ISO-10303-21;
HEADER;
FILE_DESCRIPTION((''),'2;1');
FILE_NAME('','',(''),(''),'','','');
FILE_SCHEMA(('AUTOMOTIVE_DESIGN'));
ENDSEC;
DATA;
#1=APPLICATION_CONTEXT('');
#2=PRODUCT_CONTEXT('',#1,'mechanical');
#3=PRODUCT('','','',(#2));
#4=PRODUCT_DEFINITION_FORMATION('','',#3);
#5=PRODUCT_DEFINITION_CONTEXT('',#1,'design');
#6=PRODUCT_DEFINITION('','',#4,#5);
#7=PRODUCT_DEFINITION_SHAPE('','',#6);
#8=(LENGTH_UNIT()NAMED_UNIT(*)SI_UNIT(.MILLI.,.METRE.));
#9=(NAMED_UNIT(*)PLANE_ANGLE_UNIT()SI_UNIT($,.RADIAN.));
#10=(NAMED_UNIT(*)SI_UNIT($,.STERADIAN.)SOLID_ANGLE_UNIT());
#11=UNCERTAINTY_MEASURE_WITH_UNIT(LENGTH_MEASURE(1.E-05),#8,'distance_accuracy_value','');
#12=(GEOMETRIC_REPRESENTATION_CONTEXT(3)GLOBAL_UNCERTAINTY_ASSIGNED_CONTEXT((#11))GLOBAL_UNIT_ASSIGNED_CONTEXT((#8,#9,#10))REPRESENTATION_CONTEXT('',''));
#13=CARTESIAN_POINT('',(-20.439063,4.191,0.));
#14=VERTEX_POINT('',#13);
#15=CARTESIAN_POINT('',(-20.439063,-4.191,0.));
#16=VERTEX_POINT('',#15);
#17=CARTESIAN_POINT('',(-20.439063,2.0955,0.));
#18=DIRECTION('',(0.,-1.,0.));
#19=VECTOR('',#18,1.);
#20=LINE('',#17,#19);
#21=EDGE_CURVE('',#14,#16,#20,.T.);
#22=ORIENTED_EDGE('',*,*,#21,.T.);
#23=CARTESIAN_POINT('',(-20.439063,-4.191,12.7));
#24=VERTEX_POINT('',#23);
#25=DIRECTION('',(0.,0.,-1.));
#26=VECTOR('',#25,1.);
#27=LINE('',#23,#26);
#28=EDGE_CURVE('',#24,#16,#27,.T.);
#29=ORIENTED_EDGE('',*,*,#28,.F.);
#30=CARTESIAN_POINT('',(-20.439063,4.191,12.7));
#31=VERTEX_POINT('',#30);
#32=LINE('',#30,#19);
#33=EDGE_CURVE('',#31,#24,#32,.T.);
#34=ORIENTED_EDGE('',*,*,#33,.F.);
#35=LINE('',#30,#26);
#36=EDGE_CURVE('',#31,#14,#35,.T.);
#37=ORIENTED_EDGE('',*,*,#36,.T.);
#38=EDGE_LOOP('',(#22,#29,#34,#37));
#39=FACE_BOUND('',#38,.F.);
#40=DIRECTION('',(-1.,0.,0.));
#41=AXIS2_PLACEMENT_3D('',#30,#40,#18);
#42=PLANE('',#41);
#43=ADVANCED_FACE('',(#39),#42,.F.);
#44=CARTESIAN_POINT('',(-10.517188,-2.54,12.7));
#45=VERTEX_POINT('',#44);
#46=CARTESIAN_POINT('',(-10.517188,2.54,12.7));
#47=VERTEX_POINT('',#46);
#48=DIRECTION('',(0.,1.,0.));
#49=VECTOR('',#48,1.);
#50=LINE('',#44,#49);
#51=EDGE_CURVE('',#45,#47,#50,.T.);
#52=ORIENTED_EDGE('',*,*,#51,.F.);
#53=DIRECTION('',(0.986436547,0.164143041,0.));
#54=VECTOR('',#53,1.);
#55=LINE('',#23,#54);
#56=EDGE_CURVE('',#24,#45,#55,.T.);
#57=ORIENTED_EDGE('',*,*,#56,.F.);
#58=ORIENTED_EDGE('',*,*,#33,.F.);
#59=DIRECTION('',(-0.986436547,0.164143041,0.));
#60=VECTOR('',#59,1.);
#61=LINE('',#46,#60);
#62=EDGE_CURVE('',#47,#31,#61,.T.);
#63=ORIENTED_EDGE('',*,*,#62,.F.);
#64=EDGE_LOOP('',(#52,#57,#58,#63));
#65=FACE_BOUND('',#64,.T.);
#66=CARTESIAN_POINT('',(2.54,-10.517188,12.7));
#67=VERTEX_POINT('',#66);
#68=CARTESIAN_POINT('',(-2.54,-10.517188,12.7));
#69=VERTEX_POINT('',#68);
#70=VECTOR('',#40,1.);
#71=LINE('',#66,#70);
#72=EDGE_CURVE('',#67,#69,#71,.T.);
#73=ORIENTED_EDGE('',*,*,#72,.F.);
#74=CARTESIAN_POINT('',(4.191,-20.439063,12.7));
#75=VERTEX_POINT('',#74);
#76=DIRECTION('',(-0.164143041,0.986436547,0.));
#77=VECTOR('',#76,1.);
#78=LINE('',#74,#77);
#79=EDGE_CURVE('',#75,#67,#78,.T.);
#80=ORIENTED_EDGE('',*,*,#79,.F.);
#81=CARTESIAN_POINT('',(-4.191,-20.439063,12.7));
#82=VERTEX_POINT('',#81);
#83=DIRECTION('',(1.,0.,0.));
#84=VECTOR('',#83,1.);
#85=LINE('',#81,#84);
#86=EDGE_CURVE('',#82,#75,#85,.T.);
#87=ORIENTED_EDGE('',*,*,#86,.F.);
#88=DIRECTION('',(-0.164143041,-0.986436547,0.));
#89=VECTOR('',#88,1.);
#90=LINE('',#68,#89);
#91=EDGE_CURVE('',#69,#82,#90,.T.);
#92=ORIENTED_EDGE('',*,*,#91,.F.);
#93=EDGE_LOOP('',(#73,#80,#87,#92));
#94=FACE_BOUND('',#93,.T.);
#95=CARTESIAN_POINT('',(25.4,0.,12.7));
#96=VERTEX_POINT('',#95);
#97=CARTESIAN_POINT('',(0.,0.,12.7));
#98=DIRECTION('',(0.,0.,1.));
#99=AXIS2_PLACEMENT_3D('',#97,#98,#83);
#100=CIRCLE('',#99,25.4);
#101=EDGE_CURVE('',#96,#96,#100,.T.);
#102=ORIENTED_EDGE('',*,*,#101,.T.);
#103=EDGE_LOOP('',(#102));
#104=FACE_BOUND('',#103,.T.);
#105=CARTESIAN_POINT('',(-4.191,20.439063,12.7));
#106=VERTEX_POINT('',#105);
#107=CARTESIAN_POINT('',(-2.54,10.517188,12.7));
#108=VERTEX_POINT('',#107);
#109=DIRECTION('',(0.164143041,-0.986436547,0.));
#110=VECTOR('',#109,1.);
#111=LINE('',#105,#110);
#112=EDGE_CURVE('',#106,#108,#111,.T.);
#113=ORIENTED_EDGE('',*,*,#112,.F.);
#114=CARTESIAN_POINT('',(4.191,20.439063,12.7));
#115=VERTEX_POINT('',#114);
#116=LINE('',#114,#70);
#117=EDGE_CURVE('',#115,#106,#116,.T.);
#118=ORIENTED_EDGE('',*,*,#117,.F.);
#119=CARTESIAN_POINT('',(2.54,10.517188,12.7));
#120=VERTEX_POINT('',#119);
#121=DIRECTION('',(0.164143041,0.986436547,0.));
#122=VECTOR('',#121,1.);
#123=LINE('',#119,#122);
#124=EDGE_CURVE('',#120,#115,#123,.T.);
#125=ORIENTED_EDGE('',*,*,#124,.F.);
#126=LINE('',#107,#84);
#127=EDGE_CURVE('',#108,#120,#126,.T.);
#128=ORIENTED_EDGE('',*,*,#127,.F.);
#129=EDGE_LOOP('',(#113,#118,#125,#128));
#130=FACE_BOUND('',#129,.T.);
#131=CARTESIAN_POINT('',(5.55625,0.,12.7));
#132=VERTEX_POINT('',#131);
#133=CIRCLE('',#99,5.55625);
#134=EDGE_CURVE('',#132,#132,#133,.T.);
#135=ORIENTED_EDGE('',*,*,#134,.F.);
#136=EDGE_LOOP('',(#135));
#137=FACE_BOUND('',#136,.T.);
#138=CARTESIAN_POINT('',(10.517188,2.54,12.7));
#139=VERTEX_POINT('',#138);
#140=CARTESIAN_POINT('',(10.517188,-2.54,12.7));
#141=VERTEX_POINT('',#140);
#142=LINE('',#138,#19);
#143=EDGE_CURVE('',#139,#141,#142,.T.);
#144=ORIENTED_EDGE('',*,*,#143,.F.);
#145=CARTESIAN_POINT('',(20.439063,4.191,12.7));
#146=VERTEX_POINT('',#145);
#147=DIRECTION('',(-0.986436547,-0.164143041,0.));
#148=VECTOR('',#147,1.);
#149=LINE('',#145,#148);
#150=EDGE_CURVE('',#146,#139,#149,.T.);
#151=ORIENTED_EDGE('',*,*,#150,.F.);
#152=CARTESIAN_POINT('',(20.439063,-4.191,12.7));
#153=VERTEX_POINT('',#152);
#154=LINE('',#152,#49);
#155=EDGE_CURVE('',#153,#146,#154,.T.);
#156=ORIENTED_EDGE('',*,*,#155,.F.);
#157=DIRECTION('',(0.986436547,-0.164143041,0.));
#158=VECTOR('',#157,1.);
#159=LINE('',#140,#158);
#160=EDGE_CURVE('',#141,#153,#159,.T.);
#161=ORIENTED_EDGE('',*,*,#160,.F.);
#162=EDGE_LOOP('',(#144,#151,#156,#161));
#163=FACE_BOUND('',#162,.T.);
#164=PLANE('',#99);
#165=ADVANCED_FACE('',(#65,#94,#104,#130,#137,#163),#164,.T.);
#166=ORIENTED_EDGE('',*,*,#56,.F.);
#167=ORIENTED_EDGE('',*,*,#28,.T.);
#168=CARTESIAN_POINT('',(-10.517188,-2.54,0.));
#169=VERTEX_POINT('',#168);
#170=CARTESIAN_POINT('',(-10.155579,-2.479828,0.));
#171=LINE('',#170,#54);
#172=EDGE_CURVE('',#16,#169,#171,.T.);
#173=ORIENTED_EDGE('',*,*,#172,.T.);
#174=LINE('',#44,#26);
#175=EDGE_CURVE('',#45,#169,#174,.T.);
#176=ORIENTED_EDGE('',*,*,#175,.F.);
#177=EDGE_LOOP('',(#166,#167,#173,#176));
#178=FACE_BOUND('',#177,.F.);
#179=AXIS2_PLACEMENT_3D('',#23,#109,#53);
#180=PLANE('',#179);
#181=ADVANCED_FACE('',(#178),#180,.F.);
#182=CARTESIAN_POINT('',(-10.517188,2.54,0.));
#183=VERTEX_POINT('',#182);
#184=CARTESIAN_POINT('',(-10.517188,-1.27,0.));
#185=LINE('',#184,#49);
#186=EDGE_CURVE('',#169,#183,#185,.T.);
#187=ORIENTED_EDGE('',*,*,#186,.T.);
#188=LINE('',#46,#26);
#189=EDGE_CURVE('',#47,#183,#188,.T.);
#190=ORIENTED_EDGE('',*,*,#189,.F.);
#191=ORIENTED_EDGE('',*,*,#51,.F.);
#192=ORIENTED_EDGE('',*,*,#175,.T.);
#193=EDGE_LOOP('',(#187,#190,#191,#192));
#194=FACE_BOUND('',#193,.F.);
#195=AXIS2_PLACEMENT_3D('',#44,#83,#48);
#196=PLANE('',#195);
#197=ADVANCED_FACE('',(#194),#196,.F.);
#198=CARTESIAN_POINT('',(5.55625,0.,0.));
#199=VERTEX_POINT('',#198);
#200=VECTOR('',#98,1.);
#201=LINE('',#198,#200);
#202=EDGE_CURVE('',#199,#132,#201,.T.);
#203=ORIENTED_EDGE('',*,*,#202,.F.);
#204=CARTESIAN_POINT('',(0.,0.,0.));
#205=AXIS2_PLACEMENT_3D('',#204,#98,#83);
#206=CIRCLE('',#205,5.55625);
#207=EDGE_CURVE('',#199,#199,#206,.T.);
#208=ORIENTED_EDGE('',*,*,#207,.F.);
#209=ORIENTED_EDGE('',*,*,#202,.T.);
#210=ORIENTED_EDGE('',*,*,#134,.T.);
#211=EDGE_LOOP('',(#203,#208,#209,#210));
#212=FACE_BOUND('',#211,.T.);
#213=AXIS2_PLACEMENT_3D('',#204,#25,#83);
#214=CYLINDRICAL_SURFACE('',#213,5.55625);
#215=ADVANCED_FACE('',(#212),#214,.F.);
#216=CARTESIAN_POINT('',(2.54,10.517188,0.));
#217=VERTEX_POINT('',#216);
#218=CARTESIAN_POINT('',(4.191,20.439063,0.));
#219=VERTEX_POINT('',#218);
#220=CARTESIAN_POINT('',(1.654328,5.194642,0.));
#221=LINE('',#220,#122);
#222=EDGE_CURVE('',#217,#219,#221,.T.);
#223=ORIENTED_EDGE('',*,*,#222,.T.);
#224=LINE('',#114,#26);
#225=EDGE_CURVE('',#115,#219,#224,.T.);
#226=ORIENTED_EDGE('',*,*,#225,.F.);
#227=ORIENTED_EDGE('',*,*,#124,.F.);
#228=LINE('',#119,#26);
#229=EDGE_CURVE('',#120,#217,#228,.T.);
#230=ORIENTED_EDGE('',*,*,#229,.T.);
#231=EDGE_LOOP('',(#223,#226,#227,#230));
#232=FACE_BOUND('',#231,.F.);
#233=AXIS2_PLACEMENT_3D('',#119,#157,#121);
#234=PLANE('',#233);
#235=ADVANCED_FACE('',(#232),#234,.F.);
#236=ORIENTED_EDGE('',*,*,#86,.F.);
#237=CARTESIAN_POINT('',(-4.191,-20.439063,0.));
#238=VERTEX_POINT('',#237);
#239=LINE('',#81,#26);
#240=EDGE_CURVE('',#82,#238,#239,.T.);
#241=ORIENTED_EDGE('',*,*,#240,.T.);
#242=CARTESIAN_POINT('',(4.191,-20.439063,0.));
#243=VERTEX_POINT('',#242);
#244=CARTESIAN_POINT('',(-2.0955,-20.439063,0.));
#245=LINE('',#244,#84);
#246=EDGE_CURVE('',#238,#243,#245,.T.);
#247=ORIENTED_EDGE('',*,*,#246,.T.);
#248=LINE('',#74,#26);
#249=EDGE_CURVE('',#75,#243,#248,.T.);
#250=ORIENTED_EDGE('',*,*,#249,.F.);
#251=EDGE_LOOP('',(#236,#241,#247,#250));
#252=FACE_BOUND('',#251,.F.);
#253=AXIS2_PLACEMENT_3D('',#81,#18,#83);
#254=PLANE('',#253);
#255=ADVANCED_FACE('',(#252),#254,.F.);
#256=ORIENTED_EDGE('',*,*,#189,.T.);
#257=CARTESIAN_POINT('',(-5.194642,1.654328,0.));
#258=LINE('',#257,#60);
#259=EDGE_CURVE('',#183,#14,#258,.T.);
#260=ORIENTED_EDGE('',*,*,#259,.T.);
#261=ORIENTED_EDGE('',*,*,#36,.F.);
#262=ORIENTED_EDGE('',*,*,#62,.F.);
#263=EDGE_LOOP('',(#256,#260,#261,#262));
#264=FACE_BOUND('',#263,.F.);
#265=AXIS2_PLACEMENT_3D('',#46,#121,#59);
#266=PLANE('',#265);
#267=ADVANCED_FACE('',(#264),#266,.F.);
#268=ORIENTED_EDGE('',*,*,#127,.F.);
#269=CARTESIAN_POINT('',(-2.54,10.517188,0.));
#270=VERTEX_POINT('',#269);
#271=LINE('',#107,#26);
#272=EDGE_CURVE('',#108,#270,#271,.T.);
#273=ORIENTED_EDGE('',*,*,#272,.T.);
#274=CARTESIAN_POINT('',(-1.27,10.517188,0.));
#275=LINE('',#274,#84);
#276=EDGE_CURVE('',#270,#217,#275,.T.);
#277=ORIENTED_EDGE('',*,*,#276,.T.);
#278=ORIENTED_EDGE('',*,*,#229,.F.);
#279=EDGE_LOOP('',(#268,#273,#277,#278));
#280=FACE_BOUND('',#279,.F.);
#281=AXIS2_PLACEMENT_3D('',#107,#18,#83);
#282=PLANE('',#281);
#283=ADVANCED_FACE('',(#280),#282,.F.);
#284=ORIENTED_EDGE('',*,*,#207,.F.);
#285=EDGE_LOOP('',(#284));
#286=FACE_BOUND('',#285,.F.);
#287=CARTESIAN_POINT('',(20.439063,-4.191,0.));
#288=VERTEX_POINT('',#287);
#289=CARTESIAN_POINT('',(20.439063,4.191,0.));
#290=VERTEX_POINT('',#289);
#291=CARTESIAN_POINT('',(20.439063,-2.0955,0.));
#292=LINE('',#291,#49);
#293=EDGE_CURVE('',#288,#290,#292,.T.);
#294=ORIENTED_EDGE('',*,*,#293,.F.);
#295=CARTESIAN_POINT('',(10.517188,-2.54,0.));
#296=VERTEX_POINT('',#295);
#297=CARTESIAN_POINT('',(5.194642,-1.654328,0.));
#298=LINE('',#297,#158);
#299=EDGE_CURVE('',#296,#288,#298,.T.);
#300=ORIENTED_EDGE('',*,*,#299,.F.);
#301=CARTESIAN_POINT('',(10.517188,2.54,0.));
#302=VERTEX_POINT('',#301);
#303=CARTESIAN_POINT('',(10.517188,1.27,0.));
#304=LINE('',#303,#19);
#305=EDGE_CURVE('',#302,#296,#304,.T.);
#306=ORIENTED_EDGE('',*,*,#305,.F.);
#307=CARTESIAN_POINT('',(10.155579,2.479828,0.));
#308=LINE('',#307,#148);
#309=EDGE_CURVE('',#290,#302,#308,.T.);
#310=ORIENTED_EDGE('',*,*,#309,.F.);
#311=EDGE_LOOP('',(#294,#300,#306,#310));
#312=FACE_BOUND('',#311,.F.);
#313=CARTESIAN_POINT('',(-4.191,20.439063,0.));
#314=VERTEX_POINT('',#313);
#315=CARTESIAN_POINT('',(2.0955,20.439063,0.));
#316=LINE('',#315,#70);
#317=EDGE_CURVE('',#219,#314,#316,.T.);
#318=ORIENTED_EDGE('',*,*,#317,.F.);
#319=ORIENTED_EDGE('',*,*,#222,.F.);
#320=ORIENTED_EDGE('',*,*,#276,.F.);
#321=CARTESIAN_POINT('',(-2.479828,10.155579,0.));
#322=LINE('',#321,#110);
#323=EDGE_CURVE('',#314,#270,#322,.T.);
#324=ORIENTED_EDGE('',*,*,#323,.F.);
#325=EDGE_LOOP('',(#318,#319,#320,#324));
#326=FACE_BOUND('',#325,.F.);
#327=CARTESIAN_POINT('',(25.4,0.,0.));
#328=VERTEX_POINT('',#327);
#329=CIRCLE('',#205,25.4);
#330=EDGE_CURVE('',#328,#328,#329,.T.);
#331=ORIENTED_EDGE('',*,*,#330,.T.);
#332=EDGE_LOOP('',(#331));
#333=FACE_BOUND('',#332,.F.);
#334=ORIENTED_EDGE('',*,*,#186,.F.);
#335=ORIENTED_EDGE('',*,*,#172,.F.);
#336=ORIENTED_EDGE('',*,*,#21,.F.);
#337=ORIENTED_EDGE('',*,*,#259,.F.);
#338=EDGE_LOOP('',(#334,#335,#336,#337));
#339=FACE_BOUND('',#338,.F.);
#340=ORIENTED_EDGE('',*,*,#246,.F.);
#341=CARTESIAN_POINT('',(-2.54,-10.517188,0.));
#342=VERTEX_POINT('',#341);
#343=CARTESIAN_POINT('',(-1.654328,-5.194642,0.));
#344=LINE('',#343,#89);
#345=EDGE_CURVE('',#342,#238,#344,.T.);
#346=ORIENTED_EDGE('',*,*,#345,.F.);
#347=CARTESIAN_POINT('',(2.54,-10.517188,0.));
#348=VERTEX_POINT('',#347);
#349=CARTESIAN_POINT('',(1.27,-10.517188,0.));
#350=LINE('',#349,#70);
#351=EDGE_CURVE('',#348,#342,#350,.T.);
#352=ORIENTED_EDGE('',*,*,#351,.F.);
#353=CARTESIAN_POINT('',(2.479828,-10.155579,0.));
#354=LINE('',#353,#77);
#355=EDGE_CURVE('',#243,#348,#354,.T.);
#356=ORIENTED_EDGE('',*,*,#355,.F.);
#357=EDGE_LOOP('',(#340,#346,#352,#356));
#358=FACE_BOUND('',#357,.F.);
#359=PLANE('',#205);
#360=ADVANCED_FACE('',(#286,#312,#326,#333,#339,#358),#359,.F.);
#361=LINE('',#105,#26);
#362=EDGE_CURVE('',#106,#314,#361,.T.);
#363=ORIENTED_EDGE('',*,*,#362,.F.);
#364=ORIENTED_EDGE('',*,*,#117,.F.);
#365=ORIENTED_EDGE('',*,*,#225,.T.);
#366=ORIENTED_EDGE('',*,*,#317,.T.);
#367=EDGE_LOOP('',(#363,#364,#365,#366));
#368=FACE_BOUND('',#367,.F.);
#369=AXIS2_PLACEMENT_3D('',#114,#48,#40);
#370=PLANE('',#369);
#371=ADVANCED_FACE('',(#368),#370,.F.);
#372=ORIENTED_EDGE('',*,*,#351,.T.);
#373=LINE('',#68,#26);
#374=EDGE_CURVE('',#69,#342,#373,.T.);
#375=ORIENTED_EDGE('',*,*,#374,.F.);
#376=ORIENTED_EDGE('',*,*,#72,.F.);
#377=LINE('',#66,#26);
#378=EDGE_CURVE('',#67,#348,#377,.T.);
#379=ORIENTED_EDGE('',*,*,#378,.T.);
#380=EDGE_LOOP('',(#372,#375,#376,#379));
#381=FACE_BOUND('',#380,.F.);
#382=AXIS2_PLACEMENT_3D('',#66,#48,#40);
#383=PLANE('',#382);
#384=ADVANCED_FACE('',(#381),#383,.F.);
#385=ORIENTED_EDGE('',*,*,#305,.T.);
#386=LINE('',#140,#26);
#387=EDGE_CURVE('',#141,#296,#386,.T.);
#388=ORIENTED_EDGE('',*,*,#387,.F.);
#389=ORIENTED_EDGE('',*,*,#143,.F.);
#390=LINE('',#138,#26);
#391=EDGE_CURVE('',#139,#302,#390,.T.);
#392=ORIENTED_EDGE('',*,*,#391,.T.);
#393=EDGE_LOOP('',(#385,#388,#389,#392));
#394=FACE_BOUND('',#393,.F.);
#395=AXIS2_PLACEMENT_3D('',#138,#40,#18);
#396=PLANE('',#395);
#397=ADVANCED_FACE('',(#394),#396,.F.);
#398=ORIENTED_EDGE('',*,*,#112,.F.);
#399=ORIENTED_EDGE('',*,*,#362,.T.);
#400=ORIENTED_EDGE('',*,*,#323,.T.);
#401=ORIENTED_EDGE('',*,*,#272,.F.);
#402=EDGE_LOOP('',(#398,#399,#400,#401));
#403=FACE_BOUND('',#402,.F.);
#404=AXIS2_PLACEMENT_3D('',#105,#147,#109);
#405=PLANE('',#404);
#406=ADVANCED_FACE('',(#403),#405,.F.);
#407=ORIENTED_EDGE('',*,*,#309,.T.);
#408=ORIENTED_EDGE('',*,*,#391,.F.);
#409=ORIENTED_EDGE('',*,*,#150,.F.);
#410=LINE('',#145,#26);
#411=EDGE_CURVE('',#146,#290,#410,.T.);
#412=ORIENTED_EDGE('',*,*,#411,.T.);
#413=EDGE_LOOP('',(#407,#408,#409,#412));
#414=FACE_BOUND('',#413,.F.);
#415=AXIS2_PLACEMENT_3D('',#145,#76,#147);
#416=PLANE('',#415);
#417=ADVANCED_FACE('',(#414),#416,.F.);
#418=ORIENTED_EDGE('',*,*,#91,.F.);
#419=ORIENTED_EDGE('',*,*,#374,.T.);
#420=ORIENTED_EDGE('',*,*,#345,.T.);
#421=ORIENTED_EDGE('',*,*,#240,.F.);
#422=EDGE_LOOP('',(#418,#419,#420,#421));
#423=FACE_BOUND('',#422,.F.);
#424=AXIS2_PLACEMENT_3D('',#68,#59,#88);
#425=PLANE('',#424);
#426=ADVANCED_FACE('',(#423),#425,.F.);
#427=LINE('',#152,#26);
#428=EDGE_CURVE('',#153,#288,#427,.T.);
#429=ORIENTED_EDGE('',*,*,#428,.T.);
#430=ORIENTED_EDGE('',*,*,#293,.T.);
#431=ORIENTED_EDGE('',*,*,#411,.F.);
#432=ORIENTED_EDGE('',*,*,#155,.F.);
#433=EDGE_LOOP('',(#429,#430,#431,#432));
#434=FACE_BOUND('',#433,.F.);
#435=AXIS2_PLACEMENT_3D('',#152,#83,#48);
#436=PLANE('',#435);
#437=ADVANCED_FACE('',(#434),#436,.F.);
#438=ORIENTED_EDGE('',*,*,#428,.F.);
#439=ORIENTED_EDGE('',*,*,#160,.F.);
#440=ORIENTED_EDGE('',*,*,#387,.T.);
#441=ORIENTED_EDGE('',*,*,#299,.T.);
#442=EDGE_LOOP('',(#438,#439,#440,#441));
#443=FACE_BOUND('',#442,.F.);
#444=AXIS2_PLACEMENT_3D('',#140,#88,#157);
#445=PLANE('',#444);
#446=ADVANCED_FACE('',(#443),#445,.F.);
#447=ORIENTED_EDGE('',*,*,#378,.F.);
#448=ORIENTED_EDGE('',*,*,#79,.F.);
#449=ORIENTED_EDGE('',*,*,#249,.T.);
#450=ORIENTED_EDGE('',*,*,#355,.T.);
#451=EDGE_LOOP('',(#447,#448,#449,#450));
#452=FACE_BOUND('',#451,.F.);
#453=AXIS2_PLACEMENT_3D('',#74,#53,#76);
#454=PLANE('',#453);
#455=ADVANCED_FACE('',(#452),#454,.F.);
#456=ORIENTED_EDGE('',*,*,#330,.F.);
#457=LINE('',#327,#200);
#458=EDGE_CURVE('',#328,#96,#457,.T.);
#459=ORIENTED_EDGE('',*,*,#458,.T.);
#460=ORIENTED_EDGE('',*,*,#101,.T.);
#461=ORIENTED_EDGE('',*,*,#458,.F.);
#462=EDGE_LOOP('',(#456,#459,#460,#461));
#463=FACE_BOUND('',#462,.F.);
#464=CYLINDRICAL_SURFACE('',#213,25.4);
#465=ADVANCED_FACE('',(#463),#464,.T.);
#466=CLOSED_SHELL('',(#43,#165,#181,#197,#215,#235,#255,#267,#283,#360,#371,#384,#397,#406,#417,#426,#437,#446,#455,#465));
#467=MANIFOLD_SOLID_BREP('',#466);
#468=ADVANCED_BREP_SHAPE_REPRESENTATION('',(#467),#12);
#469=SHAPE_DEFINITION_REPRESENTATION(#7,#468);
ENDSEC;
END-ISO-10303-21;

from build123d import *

# Parameters (mm, degrees)
F0_R     = 25.4
F0_R_2   = 5.55625
F1_DEPTH = 12.7
F3_DEPTH = 25.4


with BuildPart() as f1:
    # F0 (on Top) → F1 (new body)
    with BuildSketch(Plane.XY):
        Circle(F0_R)
        Circle(F0_R_2, mode=Mode.SUBTRACT)
    extrude(amount=F1_DEPTH)

    # F2 (on face) → F3 (cut)
    with BuildSketch(Plane.XY.offset(12.7)):
        Polygon((4.191, 20.439063), (-4.191, 20.439063), (-2.54, 10.517188), (2.54, 10.517188), align=None)
        Polygon((-10.517188, 2.54), (-20.439063, 4.191), (-20.439063, -4.191), (-10.517188, -2.54), align=None)
        Polygon((20.439063, -4.191), (20.439063, 4.191), (10.517188, 2.54), (10.517188, -2.54), align=None)
        Polygon((-4.191, -20.439063), (4.191, -20.439063), (2.54, -10.517188), (-2.54, -10.517188), align=None)
    extrude(amount=-F3_DEPTH, mode=Mode.SUBTRACT)


solid = f1.part
